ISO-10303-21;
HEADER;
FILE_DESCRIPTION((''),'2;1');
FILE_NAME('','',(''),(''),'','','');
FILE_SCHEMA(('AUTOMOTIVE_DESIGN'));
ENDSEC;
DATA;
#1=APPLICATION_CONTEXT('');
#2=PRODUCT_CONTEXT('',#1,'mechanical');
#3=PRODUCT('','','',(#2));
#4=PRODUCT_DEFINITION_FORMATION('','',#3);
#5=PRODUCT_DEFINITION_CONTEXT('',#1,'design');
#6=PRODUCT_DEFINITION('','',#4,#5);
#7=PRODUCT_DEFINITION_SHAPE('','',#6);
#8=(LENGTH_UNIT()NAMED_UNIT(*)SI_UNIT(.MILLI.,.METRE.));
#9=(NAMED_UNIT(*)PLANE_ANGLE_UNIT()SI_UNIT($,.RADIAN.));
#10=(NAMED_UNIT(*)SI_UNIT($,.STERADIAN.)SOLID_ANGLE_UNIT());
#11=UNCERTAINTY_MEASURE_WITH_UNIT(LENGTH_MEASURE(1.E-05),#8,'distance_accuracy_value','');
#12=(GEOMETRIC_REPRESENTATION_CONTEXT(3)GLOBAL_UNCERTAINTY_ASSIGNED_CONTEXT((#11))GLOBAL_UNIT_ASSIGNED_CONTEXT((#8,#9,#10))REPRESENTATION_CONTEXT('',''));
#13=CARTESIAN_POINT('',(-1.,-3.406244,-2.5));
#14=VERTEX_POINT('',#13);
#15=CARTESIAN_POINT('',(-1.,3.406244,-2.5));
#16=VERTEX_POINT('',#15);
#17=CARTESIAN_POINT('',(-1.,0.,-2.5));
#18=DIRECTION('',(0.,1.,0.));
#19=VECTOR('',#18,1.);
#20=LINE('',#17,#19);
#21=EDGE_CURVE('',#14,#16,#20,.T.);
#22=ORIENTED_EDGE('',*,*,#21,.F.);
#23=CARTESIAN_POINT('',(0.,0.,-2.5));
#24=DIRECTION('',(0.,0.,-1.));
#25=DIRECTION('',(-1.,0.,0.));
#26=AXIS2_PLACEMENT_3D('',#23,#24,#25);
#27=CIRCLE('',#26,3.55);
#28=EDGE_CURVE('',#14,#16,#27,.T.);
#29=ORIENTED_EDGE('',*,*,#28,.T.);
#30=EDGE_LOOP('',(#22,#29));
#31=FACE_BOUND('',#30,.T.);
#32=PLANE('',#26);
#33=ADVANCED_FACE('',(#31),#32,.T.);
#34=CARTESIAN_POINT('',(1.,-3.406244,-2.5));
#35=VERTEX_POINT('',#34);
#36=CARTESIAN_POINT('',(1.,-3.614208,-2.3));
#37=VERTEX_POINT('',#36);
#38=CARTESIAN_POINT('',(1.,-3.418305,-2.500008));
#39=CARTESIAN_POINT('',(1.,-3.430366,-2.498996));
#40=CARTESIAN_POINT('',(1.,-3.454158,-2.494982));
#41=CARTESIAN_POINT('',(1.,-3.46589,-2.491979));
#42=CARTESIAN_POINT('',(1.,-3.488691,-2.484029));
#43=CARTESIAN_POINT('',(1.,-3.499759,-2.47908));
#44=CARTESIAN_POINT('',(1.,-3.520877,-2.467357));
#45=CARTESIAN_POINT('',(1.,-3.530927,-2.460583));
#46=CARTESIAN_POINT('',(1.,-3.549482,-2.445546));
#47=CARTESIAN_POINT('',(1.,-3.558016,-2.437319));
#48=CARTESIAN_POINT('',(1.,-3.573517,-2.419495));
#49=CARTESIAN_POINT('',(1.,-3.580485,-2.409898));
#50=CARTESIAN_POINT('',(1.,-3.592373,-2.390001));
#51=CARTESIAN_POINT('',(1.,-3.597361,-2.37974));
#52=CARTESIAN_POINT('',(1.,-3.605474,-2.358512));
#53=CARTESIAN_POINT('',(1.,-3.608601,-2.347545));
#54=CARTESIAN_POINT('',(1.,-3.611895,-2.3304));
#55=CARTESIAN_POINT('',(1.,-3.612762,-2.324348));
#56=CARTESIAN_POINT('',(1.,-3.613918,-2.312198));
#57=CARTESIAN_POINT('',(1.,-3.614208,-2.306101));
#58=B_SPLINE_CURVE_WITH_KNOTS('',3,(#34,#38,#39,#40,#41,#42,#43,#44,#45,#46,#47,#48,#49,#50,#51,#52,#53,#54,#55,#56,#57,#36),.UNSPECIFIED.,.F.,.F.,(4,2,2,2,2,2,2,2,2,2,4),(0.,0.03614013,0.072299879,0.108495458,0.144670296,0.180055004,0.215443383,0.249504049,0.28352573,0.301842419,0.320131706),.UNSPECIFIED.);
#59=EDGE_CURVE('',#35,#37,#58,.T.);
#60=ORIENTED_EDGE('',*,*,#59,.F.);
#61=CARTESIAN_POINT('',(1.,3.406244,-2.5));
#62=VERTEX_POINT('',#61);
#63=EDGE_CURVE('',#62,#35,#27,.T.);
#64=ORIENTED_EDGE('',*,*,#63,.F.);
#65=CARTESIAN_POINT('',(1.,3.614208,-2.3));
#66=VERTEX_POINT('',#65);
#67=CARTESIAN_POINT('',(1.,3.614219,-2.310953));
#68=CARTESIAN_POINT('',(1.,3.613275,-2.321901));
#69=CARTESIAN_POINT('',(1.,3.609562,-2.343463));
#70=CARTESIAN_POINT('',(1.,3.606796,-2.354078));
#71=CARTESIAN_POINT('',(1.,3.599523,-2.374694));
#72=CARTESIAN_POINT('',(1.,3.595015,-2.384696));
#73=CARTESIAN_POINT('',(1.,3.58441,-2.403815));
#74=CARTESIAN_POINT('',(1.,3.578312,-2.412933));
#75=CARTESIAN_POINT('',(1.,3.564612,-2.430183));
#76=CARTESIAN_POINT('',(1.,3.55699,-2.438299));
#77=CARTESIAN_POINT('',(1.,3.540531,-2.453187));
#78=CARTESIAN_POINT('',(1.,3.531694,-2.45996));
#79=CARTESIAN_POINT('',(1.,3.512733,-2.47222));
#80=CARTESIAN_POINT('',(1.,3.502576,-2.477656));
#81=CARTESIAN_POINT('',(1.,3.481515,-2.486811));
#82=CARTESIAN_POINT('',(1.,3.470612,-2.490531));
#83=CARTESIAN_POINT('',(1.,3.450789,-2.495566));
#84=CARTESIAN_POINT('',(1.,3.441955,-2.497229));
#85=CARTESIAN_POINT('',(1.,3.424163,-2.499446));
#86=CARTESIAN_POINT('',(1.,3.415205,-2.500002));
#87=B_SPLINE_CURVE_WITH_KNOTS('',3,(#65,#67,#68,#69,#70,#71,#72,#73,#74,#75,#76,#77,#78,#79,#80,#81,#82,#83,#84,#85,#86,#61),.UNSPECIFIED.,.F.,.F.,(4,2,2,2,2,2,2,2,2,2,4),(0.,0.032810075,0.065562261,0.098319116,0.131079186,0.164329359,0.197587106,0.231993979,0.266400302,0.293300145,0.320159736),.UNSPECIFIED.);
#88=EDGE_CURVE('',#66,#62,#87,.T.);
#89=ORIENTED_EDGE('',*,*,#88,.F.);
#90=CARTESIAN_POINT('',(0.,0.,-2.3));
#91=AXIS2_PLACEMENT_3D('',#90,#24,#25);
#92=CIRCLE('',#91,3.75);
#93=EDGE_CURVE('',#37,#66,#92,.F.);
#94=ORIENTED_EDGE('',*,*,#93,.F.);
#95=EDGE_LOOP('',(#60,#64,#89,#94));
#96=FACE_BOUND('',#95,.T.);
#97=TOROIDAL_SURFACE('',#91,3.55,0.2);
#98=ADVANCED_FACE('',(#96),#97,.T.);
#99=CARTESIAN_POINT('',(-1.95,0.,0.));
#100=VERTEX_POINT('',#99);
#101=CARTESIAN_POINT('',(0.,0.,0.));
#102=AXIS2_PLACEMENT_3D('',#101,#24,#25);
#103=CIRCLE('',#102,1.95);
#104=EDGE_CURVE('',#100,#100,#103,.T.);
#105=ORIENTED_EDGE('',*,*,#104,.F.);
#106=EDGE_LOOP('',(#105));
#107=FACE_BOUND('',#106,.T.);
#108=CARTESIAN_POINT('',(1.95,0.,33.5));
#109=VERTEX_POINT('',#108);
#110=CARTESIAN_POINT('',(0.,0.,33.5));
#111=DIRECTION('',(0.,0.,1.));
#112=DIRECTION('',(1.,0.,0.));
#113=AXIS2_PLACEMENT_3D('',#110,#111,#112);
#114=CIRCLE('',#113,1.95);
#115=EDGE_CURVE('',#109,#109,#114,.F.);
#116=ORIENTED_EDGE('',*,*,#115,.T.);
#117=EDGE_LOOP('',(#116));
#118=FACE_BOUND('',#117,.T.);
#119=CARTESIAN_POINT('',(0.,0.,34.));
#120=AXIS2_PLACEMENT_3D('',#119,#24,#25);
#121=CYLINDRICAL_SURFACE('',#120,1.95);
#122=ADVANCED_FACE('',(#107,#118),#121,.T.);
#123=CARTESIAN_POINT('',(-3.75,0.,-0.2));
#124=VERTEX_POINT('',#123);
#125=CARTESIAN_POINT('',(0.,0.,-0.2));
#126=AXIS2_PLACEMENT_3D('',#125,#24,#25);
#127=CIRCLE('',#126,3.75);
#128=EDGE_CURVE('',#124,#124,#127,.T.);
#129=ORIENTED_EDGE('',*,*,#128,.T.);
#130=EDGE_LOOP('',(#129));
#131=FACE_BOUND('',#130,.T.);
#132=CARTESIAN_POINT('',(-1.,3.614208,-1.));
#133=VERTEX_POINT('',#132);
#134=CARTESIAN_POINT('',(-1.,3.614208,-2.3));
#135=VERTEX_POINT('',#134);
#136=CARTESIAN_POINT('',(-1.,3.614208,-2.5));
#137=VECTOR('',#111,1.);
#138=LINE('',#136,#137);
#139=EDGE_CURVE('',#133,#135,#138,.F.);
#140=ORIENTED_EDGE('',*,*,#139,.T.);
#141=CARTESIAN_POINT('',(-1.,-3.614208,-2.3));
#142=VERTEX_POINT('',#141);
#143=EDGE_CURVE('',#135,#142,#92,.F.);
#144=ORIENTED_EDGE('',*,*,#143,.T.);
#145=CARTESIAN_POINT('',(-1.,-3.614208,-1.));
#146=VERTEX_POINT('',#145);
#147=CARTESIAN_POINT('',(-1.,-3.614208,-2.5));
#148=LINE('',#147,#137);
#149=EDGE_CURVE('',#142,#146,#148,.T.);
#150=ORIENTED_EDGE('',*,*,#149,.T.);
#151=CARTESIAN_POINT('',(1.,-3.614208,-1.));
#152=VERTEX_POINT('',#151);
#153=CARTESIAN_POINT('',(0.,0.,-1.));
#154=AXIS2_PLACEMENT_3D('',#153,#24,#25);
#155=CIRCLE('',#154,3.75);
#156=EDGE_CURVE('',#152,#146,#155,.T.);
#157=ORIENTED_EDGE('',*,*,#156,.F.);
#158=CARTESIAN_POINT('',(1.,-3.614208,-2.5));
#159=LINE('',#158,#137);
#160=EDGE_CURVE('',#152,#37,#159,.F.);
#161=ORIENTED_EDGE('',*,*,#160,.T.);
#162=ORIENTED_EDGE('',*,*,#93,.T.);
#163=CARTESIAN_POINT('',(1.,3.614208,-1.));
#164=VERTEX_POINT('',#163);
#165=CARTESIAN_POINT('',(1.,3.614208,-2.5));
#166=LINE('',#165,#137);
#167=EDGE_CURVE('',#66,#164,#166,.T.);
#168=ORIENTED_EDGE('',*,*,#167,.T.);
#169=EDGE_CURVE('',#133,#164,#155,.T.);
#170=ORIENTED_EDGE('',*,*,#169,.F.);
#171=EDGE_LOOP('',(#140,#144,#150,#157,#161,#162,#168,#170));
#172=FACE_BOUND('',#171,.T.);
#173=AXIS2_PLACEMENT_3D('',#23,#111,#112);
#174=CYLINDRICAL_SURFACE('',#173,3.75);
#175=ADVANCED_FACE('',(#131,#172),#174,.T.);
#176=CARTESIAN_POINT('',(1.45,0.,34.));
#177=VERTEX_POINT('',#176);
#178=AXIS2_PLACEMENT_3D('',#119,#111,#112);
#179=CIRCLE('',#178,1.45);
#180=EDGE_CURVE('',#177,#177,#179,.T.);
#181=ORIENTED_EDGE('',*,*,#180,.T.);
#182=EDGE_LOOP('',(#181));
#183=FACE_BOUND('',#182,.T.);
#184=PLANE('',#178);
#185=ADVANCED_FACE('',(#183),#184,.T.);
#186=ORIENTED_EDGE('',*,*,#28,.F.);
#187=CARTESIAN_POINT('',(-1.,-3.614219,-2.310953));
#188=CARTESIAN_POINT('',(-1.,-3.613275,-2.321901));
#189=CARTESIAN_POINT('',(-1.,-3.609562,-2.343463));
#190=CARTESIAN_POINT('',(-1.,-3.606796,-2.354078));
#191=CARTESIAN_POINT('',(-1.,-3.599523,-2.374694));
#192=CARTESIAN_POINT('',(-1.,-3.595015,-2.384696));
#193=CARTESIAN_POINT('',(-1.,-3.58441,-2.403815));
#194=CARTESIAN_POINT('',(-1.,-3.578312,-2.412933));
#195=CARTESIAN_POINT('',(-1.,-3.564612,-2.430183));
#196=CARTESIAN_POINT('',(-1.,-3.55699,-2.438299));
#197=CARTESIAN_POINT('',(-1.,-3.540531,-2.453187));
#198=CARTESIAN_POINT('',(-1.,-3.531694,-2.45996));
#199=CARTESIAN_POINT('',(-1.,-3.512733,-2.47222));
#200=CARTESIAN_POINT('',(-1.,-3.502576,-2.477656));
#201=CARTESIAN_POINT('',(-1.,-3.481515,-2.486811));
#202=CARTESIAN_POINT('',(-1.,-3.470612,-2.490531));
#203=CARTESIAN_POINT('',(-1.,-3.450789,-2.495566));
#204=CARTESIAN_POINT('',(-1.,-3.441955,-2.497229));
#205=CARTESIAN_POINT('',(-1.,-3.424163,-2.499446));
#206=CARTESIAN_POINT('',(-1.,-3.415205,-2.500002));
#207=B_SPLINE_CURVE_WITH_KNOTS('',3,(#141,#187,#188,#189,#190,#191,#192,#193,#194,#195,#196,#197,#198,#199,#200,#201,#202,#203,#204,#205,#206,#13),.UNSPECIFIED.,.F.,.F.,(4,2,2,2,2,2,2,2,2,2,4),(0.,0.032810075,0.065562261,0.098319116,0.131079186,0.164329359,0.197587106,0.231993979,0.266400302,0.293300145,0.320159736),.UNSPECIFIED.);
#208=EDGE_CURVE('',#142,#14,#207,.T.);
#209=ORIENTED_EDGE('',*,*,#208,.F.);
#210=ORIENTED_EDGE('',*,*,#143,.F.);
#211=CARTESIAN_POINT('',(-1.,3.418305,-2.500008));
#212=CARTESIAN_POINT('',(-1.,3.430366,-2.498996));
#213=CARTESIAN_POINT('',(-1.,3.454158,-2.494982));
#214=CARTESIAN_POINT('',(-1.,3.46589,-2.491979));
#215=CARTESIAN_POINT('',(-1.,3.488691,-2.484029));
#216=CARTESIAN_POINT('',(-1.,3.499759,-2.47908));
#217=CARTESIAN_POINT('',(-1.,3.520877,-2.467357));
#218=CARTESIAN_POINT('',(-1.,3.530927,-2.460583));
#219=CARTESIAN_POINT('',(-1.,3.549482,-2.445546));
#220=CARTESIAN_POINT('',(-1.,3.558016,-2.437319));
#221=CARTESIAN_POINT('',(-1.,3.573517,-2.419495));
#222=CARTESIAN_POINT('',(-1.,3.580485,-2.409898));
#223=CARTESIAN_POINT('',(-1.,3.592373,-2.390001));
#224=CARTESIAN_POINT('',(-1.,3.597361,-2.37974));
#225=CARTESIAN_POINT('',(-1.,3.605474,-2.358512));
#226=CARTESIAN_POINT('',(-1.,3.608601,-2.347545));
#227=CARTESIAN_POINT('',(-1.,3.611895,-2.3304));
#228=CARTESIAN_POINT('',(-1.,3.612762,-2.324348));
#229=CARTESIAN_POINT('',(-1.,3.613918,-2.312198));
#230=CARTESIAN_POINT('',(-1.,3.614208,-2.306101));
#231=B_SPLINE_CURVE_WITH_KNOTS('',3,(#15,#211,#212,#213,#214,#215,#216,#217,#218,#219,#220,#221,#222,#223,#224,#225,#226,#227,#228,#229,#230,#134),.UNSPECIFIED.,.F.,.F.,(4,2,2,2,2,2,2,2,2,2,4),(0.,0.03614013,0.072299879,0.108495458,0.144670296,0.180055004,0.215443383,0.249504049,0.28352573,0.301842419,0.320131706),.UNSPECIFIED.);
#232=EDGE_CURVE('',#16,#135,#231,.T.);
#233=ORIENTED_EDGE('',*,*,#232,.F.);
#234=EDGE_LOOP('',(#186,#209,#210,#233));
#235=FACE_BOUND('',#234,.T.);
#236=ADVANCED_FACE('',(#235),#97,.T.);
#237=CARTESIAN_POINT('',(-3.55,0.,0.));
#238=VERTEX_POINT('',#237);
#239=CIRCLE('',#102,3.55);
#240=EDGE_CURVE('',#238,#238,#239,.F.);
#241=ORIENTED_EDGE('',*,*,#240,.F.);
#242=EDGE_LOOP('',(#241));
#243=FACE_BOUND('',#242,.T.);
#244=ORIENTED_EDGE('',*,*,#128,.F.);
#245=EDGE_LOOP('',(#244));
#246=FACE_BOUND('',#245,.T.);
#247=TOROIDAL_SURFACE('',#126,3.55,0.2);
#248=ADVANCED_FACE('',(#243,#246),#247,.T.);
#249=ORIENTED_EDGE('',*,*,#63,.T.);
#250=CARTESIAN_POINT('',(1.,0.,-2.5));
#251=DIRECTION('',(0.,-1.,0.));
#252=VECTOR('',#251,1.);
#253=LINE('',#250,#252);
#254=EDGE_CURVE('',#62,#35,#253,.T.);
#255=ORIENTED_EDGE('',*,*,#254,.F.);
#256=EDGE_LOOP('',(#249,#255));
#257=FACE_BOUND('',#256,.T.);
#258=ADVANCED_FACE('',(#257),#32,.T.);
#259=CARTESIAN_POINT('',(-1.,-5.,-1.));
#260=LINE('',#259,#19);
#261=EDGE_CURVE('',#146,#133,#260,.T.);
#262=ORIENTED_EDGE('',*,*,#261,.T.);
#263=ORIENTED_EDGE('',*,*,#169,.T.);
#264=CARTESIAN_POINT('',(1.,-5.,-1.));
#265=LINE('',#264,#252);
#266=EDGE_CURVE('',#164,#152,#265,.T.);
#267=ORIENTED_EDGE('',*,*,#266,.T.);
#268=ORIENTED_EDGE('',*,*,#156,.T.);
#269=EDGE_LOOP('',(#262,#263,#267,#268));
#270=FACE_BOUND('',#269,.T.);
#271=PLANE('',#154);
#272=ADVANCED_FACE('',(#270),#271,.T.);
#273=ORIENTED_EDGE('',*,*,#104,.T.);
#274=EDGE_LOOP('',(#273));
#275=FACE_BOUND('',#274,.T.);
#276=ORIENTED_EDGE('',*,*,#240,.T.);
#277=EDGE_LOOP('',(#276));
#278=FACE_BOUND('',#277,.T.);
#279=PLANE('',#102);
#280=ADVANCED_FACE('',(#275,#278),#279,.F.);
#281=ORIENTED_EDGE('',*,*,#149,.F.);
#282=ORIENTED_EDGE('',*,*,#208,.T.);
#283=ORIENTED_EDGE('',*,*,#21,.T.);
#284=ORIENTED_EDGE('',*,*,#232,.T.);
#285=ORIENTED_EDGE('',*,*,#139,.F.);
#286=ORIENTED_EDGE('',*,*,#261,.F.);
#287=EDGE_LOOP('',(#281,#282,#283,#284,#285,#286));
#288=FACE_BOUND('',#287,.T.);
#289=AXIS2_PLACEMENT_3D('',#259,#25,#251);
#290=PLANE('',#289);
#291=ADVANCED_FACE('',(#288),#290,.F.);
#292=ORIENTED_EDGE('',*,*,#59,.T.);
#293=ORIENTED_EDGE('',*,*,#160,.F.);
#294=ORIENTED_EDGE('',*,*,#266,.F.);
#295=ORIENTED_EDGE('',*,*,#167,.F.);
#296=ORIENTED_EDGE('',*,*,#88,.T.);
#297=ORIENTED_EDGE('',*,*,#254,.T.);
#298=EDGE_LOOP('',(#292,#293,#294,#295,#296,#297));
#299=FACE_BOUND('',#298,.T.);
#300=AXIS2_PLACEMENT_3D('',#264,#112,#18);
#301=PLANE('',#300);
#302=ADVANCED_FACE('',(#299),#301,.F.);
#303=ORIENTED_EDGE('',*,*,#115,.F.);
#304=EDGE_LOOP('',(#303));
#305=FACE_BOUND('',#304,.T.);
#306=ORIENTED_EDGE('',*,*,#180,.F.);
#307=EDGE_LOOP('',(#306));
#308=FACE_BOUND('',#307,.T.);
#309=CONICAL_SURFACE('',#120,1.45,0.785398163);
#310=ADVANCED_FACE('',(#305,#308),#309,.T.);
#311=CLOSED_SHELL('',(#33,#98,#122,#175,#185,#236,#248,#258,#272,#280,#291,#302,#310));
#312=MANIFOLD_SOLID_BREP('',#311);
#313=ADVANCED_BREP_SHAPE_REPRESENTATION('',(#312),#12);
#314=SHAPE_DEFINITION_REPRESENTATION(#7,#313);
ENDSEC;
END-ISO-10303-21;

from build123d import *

# Parameters (mm, degrees)
SKETCH2_R           = 1.95
BOSS_EXTRUDE1_DEPTH = 34
SKETCH3_R           = 3.75
BOSS_EXTRUDE2_DEPTH = 2.5
SKETCH4_W           = 2
SKETCH4_H           = 10
CUT_EXTRUDE1_DEPTH  = 1.5
FILLET1_R           = 0.2
CHAMFER1_SIZE       = 0.5


with BuildPart() as part:
    # Sketch2 → Boss-Extrude1 (new body)
    with BuildSketch(Plane.XY):
        Circle(SKETCH2_R)
    extrude(amount=BOSS_EXTRUDE1_DEPTH)

    # Sketch3 → Boss-Extrude2 (add)
    with BuildSketch(Plane(origin=(0, 0, 0), x_dir=(-1, 0, 0), z_dir=(0, 0, -1))):
        Circle(SKETCH3_R)
    extrude(amount=BOSS_EXTRUDE2_DEPTH)

    # Sketch4 → Cut-Extrude1 (cut)
    with BuildSketch(Plane(origin=(0, 0, -2.5), x_dir=(-1, 0, 0), z_dir=(0, 0, -1))):
        Rectangle(SKETCH4_W, SKETCH4_H)
    extrude(amount=-CUT_EXTRUDE1_DEPTH, mode=Mode.SUBTRACT)

    # Fillet1
    fillet1_edges = [part.edges().sort_by_distance(p)[0] for p in [
        (-2.984334097, 2.270737766, -2.5),
        (3.75, 0, 0),
        (3.75, 0, -2.5),
    ]]
    fillet(fillet1_edges, radius=FILLET1_R)

    # Chamfer1
    chamfer1_edges = [part.edges().sort_by_distance(p)[0] for p in [
        (-1.95, 0, 34),
    ]]
    chamfer(chamfer1_edges, length=CHAMFER1_SIZE)


solid = part.part
